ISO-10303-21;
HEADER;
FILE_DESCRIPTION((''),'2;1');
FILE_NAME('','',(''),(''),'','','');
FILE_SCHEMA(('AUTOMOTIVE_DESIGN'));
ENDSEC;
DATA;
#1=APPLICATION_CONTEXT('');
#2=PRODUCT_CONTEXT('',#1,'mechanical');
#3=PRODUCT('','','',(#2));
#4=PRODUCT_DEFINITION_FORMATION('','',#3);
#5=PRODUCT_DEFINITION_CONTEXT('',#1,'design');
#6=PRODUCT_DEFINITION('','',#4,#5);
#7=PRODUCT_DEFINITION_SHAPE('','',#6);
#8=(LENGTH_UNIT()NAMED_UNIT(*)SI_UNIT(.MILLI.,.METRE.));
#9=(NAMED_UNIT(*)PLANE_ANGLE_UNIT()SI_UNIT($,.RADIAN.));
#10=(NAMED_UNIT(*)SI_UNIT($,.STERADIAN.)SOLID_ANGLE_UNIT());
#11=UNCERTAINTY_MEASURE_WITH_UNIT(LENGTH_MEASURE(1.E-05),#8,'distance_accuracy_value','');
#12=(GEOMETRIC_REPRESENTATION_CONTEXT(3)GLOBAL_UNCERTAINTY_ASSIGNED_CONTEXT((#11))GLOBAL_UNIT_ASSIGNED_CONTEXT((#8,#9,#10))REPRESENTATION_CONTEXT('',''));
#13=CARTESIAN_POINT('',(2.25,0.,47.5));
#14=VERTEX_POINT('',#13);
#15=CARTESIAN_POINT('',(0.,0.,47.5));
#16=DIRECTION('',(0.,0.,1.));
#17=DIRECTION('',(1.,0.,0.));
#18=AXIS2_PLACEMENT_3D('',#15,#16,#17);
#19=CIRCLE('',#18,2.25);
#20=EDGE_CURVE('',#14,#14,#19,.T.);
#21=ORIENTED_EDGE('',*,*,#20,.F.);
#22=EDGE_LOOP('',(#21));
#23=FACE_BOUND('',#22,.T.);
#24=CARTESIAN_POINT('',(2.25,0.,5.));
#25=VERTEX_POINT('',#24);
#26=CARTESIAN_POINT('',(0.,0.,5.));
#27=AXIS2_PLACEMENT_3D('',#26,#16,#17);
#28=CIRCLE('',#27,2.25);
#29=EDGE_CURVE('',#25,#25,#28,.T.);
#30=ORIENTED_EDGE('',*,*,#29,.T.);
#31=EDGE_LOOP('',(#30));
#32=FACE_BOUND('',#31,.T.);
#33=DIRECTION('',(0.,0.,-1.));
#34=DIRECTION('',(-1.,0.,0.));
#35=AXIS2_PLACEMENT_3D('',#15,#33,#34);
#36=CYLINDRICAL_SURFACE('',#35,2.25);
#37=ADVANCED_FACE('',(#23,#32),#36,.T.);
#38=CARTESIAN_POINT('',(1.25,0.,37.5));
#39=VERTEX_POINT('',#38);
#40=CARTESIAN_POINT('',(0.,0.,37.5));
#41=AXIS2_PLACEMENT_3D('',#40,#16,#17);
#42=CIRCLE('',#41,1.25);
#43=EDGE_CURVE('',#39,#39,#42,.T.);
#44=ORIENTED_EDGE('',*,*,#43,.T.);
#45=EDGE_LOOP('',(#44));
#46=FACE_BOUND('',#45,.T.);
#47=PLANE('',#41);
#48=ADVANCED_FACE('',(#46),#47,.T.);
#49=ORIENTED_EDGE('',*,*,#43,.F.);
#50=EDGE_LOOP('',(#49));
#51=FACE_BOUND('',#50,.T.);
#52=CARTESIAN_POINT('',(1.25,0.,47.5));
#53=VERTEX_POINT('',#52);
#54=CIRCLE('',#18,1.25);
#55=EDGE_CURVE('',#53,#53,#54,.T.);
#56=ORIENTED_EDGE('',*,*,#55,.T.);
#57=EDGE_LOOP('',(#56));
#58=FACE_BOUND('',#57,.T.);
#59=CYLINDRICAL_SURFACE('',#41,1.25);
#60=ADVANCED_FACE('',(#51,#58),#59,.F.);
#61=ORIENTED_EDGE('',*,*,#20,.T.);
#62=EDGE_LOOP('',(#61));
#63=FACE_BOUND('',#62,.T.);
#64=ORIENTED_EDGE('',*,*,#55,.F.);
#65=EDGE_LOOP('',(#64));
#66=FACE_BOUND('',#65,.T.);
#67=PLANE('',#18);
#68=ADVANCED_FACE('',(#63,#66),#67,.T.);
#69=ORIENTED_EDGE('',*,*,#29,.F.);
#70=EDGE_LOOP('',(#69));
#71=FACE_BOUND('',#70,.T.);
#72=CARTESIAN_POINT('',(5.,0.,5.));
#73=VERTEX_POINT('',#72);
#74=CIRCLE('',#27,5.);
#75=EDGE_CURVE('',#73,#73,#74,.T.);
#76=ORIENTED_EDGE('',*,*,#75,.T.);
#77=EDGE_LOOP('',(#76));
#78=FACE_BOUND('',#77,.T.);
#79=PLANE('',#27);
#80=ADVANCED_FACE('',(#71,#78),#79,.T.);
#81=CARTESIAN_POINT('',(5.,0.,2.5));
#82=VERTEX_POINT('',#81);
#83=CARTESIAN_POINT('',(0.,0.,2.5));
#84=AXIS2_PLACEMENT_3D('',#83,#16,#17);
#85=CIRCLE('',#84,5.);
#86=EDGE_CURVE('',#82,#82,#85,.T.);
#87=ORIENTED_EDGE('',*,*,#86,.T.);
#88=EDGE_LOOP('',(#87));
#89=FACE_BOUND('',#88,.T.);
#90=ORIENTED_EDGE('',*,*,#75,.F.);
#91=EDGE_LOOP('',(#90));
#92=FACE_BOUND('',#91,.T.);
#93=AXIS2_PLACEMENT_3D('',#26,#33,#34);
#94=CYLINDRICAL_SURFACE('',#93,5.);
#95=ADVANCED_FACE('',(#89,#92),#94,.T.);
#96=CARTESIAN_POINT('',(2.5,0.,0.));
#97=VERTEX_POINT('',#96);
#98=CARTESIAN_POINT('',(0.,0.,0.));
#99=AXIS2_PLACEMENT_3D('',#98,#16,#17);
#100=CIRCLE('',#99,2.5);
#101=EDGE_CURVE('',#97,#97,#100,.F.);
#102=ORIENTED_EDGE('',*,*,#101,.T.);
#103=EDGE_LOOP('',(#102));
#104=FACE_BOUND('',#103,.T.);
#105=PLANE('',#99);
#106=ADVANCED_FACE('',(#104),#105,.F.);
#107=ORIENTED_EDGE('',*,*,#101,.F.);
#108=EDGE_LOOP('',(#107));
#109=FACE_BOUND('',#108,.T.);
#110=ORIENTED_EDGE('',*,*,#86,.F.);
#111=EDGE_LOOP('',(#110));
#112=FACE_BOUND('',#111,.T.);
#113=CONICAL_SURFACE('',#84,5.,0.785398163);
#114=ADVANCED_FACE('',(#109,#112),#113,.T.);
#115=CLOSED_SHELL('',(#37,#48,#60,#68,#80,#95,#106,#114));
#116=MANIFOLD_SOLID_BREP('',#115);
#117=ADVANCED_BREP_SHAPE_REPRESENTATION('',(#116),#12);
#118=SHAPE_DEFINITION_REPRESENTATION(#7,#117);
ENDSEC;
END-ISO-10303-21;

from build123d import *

# Parameters (mm, degrees)
SKETCH1_R           = 5
BOSS_EXTRUDE1_DEPTH = 5
SKETCH2_R           = 2.25
BOSS_EXTRUDE2_DEPTH = 42.5
SKETCH3_R           = 1.25
CUT_EXTRUDE1_DEPTH  = 10
CHAMFER1_SIZE       = 2.5


with BuildPart() as part:
    # Sketch1 → Boss-Extrude1 (new body)
    with BuildSketch(Plane.XY):
        Circle(SKETCH1_R)
    extrude(amount=BOSS_EXTRUDE1_DEPTH)

    # Sketch2 → Boss-Extrude2 (add)
    with BuildSketch(Plane.XY.offset(5)):
        Circle(SKETCH2_R)
    extrude(amount=BOSS_EXTRUDE2_DEPTH)

    # Sketch3 → Cut-Extrude1 (cut)
    with BuildSketch(Plane.XY.offset(47.5)):
        Circle(SKETCH3_R)
    extrude(amount=-CUT_EXTRUDE1_DEPTH, mode=Mode.SUBTRACT)

    # Chamfer1
    chamfer1_edges = [part.edges().sort_by_distance(p)[0] for p in [
        (-5, 0, 0),
    ]]
    chamfer(chamfer1_edges, length=CHAMFER1_SIZE)


solid = part.part
